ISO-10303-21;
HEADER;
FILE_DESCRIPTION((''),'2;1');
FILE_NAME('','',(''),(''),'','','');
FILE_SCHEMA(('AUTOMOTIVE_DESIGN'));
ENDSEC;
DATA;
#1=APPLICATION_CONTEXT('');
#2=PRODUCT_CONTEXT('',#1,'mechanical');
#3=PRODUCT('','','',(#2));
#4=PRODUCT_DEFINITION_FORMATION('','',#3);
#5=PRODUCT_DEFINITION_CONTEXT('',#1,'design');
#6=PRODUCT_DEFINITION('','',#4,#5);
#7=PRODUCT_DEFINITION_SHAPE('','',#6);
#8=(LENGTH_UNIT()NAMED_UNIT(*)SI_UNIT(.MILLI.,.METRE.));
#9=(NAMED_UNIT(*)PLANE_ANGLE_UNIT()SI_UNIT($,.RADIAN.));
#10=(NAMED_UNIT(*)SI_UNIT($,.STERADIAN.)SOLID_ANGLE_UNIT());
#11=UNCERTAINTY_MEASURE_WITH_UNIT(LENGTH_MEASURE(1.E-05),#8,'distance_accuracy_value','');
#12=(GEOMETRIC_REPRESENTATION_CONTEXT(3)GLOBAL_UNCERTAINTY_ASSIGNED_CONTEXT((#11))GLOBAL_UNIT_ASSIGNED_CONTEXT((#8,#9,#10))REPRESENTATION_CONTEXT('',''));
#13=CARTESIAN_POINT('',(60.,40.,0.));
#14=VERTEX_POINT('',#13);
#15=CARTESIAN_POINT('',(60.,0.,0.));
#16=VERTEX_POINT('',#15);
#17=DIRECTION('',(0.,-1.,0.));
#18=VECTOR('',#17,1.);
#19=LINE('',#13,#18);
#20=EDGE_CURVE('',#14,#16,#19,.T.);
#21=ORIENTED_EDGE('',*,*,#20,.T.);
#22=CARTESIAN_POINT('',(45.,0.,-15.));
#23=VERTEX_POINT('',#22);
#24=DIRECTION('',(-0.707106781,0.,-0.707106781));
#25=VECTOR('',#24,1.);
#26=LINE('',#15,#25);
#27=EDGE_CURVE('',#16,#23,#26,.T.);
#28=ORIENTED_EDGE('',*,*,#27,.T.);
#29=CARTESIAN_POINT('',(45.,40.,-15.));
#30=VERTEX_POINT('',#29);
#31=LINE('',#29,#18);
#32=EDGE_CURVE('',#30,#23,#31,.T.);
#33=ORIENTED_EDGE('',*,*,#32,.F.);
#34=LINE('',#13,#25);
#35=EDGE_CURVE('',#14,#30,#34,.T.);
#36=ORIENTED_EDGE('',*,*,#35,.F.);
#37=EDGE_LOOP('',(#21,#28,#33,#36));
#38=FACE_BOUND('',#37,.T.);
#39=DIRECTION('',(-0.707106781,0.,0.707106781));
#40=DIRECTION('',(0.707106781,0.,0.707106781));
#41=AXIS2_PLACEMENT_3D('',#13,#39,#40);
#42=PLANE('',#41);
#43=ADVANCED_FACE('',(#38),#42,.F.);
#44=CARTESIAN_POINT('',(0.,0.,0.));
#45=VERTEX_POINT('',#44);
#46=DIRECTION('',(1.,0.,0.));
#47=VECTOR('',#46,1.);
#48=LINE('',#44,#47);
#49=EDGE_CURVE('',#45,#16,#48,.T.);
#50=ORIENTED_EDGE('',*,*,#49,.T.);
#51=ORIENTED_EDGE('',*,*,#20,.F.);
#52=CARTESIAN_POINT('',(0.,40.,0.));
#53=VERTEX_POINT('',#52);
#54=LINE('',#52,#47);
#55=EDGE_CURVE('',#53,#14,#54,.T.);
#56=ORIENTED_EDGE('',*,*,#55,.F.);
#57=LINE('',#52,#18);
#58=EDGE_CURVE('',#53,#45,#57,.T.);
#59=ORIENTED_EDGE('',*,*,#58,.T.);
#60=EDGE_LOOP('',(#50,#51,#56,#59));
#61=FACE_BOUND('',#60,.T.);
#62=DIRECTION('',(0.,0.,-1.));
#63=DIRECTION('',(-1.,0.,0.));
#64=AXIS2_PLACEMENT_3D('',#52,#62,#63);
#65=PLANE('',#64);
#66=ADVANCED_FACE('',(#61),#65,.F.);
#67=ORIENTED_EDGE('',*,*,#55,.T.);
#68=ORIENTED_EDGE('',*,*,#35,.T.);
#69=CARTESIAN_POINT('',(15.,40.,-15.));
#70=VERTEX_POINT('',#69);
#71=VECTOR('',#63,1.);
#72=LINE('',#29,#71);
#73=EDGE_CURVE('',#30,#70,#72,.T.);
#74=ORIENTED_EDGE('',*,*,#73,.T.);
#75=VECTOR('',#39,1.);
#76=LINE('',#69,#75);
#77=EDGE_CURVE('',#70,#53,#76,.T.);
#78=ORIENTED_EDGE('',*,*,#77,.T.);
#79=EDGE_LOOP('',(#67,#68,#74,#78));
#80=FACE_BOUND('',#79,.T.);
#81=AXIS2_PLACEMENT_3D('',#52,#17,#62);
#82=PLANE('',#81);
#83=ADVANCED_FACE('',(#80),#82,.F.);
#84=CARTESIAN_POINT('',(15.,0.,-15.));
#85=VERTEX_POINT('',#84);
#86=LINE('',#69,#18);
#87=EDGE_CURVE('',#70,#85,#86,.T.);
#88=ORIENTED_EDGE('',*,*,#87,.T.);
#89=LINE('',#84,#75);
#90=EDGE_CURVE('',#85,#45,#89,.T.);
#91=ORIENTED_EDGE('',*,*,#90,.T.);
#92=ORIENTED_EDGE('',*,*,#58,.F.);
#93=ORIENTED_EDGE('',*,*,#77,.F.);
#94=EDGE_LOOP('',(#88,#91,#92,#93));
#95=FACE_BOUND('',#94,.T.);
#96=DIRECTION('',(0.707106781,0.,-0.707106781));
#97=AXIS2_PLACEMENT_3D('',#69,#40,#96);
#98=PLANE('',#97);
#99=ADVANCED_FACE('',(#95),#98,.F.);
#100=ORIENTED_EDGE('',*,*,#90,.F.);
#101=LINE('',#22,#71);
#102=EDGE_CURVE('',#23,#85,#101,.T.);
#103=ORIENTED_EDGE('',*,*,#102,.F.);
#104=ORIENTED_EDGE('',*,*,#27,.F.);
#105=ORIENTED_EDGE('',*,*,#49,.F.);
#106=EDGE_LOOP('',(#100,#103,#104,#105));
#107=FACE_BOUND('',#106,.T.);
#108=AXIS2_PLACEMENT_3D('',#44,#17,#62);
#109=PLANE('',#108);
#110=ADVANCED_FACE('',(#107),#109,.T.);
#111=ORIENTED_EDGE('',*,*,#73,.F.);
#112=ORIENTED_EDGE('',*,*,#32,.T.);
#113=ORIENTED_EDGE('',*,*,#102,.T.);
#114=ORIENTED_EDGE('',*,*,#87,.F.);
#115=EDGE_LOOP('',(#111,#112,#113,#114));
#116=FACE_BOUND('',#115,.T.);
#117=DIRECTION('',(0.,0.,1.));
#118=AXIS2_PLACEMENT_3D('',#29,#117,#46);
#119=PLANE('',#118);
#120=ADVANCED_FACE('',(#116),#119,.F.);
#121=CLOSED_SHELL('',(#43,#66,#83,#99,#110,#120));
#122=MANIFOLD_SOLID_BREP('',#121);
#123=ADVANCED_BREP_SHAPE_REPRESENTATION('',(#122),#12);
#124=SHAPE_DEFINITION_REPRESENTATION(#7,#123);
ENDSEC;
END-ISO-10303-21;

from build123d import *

# Parameters (mm, degrees)
EXTRUDE_1_DEPTH = 40


with BuildPart() as part:
    # 草圖1 → 填料-伸長1 (new body)
    with BuildSketch(Plane(origin=(0, 0, 0), x_dir=(1, 0, 0), z_dir=(0, 1, 0))):
        Polygon((0, 0), (60, 0), (45, 15), (15, 15), align=None)
    extrude(amount=EXTRUDE_1_DEPTH)


solid = part.part
